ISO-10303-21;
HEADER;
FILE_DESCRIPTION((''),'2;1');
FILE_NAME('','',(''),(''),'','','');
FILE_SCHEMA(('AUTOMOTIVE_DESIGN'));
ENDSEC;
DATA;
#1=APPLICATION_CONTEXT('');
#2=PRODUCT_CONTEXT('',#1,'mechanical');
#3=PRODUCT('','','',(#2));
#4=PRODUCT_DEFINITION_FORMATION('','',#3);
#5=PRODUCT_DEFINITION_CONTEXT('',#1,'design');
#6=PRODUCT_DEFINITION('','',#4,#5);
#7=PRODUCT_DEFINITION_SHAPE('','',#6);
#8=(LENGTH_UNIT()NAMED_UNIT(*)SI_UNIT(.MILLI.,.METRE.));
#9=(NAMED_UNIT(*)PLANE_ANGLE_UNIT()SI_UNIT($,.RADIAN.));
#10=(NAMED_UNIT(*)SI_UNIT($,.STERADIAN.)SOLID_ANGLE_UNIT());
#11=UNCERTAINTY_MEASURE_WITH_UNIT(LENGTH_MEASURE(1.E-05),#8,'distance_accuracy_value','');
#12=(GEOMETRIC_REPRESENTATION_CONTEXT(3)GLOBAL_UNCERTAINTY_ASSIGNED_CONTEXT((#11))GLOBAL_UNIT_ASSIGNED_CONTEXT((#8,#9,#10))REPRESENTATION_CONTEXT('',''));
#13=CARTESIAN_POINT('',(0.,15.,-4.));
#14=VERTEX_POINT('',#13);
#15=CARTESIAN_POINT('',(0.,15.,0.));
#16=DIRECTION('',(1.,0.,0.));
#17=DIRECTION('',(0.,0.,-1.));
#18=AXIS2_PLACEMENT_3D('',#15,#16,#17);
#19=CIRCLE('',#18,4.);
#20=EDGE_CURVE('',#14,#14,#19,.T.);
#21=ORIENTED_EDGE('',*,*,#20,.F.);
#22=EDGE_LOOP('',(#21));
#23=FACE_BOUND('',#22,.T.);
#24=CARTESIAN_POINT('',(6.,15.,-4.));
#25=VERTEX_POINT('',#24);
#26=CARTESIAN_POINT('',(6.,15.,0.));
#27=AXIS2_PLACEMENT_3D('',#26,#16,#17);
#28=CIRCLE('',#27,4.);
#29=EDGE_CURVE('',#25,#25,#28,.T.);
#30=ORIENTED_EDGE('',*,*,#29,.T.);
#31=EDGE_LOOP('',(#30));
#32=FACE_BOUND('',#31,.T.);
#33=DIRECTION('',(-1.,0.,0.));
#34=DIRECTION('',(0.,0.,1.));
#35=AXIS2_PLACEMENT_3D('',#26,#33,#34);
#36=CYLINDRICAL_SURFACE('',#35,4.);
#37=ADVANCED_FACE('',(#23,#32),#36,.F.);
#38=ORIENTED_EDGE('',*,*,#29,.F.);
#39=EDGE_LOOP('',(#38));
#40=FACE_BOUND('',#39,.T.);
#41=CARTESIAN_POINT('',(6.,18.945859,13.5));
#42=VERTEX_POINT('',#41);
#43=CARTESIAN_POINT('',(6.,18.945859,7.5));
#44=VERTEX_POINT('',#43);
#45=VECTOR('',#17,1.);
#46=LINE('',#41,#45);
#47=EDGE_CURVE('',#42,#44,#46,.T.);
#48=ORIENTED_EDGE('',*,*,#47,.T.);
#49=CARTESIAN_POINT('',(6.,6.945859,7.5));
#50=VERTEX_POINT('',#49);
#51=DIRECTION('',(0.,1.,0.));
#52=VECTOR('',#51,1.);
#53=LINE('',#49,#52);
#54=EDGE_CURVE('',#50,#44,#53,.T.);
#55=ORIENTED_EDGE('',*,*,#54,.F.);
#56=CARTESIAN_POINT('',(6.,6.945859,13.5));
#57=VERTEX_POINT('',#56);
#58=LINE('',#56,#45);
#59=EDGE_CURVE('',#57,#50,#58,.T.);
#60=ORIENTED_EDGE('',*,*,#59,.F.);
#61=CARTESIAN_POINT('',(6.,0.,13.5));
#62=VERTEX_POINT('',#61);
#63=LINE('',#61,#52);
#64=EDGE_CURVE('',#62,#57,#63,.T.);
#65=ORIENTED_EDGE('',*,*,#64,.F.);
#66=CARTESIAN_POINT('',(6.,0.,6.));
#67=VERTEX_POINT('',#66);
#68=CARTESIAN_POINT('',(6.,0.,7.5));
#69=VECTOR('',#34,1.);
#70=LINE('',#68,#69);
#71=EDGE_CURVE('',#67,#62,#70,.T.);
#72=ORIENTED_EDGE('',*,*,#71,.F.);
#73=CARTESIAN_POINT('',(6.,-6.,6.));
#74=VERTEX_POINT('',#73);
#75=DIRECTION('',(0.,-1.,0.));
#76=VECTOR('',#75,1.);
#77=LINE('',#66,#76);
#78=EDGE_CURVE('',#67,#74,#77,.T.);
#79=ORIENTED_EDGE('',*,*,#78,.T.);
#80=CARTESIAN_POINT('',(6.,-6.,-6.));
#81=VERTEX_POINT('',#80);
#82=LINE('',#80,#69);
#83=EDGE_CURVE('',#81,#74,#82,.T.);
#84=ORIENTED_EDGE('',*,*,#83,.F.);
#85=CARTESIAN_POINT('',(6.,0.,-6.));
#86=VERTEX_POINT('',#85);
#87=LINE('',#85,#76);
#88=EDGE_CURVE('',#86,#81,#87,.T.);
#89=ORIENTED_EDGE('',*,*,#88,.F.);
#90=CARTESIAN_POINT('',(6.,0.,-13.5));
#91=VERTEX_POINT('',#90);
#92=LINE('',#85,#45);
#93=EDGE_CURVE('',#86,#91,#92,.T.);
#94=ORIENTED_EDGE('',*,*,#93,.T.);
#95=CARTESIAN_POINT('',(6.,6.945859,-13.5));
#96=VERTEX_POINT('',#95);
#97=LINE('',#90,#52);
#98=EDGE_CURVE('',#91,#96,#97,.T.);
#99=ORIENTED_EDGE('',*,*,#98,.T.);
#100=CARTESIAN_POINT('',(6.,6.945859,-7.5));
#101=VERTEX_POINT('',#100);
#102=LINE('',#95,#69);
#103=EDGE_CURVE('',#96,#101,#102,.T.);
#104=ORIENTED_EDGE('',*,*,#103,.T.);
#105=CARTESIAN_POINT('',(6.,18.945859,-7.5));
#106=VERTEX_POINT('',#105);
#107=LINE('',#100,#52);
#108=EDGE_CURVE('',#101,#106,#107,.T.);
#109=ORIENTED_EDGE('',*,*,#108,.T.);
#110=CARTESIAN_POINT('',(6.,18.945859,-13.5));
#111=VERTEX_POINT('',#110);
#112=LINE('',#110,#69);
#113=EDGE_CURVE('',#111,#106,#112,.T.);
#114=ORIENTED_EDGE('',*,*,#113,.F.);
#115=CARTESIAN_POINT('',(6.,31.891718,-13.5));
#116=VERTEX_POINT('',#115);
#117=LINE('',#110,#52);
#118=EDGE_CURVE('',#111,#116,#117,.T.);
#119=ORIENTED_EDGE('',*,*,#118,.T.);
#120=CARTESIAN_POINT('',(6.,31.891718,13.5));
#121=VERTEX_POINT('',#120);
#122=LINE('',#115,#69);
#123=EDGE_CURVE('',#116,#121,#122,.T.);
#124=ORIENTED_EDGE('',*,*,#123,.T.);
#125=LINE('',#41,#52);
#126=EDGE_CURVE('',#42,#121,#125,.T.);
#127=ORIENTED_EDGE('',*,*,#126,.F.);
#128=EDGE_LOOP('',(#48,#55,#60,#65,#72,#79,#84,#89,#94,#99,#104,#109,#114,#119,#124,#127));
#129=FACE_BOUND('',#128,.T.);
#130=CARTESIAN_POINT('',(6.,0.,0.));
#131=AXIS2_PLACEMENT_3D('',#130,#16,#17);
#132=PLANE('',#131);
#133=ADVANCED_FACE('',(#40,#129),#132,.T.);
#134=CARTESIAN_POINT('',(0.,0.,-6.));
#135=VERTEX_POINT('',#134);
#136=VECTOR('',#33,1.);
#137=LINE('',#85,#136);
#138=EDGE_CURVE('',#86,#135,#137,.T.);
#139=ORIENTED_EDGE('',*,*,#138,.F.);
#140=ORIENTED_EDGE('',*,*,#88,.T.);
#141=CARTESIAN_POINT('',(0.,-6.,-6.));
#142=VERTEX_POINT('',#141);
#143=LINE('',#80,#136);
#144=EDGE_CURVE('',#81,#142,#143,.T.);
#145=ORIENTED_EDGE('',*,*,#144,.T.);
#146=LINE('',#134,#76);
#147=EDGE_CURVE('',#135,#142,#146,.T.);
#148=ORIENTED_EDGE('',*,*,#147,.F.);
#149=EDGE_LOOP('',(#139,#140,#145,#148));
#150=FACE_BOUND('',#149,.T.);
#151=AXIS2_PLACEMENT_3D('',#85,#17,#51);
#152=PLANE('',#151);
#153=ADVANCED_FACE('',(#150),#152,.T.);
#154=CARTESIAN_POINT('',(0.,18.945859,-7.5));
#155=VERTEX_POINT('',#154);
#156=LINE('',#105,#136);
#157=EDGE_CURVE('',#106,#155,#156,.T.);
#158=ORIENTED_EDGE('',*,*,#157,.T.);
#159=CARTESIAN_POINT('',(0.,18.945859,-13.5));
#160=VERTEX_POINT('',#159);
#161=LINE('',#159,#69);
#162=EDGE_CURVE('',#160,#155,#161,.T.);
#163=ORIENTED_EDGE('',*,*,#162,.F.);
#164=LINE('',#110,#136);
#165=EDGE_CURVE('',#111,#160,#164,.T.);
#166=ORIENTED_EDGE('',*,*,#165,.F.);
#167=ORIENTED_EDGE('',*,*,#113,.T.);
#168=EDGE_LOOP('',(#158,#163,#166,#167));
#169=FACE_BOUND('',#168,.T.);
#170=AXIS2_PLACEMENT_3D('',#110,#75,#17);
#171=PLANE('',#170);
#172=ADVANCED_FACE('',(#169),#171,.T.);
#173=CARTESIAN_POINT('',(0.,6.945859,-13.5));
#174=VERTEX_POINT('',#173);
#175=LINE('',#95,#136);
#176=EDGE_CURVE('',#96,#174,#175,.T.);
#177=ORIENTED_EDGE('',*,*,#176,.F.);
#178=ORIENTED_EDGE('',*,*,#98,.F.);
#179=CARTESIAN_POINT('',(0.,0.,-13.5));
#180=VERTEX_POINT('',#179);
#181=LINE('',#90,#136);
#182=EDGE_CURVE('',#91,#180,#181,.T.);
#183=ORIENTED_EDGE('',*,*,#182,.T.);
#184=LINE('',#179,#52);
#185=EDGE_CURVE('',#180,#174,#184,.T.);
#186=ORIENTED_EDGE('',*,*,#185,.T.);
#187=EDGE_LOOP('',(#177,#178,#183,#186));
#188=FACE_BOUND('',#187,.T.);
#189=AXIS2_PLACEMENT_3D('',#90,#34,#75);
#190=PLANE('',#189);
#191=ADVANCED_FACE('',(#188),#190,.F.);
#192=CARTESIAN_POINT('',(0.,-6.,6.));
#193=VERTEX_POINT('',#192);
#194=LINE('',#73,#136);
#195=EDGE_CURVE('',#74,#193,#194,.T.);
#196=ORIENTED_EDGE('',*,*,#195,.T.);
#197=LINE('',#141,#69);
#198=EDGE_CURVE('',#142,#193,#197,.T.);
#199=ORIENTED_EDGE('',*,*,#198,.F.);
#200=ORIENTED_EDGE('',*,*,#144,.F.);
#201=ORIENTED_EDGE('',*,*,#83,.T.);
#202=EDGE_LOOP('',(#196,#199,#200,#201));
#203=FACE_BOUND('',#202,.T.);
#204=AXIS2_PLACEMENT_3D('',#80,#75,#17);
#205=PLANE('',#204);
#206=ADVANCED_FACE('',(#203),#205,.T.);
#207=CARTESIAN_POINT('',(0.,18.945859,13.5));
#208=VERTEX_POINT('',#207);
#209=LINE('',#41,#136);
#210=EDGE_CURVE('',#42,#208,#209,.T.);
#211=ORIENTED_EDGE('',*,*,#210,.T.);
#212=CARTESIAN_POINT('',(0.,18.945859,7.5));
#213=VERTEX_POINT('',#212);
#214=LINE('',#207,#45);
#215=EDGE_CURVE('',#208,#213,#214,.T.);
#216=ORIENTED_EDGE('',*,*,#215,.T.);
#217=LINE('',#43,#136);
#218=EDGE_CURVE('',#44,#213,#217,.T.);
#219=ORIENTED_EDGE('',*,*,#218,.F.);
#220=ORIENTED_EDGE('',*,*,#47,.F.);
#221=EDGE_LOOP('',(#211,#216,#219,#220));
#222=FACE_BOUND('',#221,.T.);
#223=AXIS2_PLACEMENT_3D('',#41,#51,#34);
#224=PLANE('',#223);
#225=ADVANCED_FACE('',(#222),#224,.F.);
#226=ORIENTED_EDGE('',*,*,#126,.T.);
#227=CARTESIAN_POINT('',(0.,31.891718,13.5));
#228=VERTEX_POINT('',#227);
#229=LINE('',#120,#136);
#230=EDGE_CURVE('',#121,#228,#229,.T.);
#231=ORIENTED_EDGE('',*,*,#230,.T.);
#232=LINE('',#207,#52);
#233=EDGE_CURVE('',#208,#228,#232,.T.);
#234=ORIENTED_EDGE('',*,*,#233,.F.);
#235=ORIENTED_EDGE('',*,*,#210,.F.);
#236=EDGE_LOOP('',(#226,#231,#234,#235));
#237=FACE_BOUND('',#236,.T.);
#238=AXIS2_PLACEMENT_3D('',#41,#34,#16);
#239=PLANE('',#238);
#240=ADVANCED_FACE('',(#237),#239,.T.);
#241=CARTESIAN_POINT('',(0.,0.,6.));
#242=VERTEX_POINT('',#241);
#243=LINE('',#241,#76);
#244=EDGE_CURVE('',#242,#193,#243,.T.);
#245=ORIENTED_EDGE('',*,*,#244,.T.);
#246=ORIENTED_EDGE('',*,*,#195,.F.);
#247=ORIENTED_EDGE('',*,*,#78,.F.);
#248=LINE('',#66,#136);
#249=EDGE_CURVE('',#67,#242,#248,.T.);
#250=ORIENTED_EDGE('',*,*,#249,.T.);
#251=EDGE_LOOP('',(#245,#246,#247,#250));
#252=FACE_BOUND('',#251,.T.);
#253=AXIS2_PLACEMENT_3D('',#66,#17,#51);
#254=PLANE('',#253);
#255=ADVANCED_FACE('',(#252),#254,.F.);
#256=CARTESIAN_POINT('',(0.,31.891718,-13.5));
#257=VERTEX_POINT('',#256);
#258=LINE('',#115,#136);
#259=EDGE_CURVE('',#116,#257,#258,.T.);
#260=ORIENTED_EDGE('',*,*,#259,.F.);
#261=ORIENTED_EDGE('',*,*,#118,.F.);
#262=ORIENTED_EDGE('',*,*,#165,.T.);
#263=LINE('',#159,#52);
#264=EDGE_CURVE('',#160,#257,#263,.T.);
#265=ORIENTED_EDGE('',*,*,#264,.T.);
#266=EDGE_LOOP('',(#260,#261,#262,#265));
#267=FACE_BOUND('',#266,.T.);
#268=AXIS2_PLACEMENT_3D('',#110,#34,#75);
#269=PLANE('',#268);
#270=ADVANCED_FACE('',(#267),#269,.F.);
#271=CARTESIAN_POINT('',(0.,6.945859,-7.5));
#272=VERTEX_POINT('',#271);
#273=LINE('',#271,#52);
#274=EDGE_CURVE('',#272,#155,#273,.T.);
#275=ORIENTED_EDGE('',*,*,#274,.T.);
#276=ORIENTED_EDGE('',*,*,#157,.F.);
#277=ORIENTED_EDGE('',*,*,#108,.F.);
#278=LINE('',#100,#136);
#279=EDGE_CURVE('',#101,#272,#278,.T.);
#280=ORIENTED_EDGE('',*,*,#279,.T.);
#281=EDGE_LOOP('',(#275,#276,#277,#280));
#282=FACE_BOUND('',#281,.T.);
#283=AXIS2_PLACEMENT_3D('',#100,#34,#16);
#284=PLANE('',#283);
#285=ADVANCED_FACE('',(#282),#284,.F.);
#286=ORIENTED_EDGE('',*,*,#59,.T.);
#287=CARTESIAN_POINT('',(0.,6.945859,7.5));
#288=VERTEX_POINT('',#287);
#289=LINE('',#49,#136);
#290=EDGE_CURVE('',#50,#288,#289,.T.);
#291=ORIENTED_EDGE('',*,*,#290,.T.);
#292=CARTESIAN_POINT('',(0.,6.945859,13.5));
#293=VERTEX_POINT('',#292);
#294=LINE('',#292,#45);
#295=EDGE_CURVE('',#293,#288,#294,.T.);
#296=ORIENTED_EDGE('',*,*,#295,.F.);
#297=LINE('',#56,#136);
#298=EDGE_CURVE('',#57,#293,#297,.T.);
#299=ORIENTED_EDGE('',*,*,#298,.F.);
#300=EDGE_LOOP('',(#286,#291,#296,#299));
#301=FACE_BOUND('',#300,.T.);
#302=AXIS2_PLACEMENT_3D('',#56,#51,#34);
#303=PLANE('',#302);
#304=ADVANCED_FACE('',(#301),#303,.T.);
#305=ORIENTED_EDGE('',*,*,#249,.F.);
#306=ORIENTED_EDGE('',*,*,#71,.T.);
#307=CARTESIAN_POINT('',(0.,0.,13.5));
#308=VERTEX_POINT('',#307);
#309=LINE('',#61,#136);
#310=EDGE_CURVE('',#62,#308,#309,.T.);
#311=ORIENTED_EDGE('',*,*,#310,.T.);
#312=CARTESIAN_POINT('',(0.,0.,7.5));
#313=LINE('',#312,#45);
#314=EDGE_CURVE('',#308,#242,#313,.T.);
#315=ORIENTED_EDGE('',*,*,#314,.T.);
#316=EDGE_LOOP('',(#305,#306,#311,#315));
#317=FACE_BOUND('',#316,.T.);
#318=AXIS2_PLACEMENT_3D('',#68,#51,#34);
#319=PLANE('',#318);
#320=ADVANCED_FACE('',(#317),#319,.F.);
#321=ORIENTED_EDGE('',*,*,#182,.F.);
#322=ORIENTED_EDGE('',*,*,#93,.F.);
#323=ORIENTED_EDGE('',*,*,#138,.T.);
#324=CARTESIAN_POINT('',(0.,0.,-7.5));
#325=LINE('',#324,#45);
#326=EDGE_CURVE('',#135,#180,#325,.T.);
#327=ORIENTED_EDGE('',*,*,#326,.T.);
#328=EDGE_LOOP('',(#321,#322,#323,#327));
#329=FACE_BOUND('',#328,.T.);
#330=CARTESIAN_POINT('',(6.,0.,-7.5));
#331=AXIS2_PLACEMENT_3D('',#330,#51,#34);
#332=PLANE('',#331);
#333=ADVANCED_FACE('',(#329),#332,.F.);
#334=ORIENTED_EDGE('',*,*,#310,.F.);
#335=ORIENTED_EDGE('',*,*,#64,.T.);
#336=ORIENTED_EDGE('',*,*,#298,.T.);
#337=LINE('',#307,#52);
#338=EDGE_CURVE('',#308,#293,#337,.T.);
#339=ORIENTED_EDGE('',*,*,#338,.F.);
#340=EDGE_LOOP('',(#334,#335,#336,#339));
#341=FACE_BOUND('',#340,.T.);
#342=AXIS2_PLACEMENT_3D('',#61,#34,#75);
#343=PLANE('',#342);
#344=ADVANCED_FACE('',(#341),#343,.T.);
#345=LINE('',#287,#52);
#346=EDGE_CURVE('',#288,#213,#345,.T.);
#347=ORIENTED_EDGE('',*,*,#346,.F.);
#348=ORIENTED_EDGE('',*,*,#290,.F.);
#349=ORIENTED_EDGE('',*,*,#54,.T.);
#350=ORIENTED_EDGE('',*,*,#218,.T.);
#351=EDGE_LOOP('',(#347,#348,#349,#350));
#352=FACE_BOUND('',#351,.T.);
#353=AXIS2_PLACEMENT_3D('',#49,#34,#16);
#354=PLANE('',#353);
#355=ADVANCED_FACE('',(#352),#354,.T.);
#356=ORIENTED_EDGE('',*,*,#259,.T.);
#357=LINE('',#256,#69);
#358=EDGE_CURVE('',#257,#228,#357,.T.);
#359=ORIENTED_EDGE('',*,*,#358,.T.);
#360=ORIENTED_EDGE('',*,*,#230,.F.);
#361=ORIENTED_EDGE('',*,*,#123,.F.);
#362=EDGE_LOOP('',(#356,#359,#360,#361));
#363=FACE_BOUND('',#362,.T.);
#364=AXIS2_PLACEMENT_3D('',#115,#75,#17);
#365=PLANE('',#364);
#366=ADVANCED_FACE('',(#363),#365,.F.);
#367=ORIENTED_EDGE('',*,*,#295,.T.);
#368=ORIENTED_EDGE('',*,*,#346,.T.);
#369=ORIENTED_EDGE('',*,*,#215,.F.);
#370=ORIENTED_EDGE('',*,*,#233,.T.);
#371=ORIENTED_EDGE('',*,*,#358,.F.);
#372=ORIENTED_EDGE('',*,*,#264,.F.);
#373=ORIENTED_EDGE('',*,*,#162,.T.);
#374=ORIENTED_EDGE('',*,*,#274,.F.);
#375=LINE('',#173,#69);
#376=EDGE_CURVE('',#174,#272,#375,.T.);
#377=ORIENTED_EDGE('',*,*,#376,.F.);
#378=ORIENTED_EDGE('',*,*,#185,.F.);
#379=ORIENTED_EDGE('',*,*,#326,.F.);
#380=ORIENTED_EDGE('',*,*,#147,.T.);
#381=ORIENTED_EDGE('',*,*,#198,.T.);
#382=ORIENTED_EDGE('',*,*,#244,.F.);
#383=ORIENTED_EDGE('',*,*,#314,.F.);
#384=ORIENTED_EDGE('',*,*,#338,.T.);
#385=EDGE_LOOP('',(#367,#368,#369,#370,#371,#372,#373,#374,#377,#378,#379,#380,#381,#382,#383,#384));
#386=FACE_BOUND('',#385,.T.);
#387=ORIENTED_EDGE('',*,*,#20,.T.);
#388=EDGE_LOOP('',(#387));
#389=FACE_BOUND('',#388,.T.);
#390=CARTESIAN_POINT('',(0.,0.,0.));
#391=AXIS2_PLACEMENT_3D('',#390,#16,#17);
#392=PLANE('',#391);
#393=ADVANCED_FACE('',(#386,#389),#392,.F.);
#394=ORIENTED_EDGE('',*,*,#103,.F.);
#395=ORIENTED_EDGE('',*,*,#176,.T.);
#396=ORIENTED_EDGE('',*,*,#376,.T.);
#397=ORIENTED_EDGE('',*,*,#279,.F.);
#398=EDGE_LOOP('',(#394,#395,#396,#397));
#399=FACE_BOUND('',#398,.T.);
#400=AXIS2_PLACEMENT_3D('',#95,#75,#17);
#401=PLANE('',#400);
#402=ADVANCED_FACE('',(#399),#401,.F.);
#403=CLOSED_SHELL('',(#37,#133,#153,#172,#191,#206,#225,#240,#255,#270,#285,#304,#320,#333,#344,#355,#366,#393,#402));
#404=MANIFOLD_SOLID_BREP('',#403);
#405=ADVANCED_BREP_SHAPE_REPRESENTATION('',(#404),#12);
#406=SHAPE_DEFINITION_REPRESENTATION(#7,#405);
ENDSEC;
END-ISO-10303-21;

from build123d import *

# Parameters (mm, degrees)
SKETCH1_R           = 4
BOSS_EXTRUDE1_DEPTH = 6


with BuildPart() as part:
    # Sketch1 → Boss-Extrude1 (new body)
    with BuildSketch(Plane(origin=(0, 0, 0), x_dir=(0, 0, -1), z_dir=(1, 0, 0))):
        Polygon((-7.5, 0), (-6, 0), (-6, -6), (6, -6), (6, 0), (7.5, 0), (13.5, 0), (13.5, 6.945859109), (7.5, 6.945859109), (7.5, 18.945859109), (13.5, 18.945859109), (13.5, 31.891718217), (-13.5, 31.891718217), (-13.5, 18.945859109), (-7.5, 18.945859109), (-7.5, 6.945859109), (-13.5, 6.945859109), (-13.5, 0), align=None)
        with Locations((0, 15)):
            Circle(SKETCH1_R, mode=Mode.SUBTRACT)
    extrude(amount=BOSS_EXTRUDE1_DEPTH)


solid = part.part
